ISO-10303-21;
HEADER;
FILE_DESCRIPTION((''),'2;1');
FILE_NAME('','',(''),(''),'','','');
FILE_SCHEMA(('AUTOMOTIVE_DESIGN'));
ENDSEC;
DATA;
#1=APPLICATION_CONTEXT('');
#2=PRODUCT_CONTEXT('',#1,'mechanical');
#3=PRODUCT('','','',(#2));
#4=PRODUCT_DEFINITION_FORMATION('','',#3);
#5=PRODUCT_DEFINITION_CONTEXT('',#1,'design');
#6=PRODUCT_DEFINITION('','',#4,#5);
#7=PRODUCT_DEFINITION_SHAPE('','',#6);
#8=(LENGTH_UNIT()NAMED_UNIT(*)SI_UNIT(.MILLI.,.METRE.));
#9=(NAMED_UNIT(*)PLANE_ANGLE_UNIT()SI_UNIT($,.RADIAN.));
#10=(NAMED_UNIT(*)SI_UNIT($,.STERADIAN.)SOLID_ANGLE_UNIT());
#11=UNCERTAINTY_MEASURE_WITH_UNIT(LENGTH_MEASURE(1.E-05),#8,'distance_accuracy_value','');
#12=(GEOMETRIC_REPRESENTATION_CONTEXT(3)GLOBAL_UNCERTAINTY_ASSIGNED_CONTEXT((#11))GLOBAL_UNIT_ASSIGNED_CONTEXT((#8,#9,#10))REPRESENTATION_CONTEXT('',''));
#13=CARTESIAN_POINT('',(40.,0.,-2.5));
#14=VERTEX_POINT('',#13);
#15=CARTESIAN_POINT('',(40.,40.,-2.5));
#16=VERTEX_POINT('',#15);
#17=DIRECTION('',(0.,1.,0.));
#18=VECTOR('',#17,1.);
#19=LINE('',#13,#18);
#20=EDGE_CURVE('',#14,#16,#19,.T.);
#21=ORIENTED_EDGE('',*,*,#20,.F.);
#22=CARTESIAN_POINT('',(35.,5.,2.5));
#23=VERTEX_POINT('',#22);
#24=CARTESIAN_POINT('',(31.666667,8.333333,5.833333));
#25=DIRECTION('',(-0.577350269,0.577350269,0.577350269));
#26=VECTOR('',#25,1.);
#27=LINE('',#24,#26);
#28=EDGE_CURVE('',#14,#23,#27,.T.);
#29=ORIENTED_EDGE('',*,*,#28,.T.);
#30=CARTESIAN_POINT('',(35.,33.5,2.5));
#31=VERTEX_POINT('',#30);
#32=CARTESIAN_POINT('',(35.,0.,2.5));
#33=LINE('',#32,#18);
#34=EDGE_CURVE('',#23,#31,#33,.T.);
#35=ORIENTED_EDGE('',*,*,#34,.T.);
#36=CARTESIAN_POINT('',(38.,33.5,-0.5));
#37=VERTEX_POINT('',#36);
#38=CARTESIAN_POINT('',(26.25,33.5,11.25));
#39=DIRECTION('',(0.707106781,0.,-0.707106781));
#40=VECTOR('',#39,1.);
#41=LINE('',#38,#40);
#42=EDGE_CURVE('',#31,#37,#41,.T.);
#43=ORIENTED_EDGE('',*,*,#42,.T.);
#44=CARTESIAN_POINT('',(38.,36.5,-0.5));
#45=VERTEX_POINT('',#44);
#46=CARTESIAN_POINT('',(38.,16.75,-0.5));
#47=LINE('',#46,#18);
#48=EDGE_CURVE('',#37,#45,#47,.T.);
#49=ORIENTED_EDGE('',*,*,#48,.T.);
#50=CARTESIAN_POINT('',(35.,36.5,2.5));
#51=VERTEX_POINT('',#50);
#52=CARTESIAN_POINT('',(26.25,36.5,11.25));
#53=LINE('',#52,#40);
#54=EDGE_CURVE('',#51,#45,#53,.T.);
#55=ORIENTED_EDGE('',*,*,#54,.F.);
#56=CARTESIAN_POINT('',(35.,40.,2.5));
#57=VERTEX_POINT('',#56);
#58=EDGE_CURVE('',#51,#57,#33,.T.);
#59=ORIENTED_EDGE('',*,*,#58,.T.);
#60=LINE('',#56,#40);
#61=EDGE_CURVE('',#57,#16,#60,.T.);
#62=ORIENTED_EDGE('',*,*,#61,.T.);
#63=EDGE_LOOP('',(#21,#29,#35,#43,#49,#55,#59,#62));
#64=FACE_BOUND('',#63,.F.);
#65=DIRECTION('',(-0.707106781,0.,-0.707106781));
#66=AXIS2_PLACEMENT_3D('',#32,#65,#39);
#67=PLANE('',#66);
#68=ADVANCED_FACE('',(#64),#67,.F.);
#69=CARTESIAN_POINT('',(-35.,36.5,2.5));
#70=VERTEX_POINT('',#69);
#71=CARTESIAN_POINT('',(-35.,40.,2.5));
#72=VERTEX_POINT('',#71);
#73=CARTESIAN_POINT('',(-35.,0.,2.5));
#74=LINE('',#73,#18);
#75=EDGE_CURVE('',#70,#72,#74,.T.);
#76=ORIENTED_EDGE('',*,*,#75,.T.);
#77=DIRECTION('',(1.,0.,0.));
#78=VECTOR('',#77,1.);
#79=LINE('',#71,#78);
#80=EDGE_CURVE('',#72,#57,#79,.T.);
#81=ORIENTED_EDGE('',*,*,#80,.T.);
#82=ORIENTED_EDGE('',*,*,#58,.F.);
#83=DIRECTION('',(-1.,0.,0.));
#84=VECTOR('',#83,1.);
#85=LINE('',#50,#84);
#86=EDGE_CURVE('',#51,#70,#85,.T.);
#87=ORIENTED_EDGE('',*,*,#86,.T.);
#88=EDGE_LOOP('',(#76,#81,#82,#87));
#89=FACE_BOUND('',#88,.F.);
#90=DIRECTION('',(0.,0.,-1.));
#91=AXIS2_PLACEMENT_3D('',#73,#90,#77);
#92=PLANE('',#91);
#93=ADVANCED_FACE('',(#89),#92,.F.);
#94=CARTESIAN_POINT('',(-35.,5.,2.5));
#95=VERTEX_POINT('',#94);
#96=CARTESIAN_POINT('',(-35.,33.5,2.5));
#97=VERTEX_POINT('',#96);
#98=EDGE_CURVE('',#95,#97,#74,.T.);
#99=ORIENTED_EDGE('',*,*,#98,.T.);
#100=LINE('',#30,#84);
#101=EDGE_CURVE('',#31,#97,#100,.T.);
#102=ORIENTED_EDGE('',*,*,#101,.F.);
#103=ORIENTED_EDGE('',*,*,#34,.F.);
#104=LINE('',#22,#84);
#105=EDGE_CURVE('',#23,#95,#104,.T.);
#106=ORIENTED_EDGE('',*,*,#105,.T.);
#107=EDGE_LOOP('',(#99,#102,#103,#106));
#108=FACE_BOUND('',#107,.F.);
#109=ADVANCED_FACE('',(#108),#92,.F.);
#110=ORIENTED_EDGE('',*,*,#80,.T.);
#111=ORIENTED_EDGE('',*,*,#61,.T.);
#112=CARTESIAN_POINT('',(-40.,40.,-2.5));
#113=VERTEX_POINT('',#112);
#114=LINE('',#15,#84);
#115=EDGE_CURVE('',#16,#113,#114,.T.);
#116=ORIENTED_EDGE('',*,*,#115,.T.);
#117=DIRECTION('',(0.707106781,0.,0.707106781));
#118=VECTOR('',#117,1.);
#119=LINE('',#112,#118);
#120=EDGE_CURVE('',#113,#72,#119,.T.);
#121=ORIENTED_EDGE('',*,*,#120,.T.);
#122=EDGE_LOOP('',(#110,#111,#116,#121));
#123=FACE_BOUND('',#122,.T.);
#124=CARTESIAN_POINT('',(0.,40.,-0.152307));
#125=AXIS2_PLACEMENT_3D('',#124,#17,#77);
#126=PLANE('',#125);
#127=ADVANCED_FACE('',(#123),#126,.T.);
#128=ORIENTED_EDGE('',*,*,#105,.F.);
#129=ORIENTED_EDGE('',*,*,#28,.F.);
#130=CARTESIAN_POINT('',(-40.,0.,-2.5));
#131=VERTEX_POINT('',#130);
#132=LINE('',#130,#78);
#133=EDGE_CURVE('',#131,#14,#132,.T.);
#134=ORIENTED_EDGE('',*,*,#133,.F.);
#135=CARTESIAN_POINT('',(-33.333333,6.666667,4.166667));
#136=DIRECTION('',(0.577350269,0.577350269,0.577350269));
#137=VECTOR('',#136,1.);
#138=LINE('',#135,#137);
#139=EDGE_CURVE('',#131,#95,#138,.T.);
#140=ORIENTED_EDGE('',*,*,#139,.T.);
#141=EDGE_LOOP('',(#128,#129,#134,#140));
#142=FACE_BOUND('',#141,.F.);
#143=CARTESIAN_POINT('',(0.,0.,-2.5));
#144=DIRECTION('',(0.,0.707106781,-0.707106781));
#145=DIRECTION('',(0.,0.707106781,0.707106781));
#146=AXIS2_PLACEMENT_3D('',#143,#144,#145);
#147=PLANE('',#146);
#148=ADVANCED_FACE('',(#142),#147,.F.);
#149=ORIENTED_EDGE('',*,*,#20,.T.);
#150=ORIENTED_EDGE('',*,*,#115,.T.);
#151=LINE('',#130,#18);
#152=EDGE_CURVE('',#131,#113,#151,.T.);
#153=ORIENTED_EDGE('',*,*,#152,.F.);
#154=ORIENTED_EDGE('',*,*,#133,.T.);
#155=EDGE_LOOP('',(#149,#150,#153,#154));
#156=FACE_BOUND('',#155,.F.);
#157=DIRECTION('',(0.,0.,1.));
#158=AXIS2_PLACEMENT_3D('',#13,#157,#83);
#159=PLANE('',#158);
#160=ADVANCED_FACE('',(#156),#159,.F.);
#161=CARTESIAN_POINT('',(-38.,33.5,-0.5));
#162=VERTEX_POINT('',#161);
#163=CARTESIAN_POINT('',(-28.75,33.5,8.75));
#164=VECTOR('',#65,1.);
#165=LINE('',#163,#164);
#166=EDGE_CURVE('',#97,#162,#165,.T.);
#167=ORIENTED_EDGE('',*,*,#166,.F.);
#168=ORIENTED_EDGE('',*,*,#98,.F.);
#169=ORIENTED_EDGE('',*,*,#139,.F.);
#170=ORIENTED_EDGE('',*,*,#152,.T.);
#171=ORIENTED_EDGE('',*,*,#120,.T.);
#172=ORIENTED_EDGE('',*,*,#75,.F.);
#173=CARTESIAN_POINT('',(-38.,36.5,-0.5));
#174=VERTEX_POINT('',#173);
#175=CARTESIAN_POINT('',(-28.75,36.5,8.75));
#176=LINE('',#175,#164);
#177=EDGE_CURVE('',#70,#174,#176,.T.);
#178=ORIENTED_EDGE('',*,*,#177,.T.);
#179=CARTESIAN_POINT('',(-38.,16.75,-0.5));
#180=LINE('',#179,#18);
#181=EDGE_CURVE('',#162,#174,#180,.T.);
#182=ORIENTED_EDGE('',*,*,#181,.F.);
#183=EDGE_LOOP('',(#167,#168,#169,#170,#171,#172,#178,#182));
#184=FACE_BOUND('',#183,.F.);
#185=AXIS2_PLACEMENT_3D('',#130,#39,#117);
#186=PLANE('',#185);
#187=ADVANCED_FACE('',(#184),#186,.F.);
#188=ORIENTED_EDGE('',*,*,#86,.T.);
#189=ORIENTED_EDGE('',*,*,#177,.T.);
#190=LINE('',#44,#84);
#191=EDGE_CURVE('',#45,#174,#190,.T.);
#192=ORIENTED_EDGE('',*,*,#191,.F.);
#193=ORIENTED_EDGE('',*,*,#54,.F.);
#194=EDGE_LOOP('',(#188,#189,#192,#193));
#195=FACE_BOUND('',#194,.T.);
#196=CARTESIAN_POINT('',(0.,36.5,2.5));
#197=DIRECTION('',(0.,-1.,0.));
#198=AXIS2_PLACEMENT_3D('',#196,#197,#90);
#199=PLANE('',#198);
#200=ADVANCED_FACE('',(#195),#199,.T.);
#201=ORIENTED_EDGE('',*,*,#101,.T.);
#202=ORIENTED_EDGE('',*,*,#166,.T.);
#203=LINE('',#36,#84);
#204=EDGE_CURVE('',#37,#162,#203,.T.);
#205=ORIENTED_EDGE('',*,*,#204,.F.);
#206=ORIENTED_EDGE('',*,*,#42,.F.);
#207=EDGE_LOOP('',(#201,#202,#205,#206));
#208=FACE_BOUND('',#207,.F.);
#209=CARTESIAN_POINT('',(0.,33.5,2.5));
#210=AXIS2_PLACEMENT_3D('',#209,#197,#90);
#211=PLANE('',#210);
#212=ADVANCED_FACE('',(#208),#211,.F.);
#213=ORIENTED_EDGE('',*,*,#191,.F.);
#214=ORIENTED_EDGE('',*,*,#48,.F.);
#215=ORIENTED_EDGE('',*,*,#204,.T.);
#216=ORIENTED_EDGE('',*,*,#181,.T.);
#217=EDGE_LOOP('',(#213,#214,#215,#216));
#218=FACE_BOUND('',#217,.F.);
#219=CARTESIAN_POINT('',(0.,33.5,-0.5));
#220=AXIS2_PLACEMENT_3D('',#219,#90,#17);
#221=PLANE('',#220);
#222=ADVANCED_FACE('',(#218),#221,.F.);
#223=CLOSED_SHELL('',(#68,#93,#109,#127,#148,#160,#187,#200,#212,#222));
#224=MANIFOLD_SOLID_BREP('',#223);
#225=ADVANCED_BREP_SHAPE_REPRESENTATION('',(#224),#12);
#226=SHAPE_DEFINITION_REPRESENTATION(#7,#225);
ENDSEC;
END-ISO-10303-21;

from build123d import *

# Parameters (mm, degrees)
BOSS_EXTRUDE2_DEPTH     = 40
CUT_EXTRUDE1_DEPTH      = 41
CUT_EXTRUDE1_DEPTH_BACK = 41
SKETCH7_W               = 3
SKETCH7_H               = 3
CUT_EXTRUDE2_DEPTH      = 41
CUT_EXTRUDE2_DEPTH_BACK = 41


with BuildPart() as part:
    # Sketch3 → Boss-Extrude2 (new body)
    with BuildSketch(Plane(origin=(0, 0, 0), x_dir=(1, 0, 0), z_dir=(0, 1, 0))):
        Polygon((-40, 2.5), (-35, -2.5), (35, -2.5), (40, 2.5), align=None)
    extrude(amount=BOSS_EXTRUDE2_DEPTH)

    # Sketch4 → Cut-Extrude1 (cut, two sides)
    with BuildSketch(Plane(origin=(0, 0, 0), x_dir=(0, 0, -1), z_dir=(1, 0, 0))) as cut_extrude1_sk:
        Polygon((-2.5, 0), (2.5, 0), (-2.5, 5), align=None)
    extrude(amount=CUT_EXTRUDE1_DEPTH, mode=Mode.SUBTRACT)
    extrude(cut_extrude1_sk.sketch, amount=-CUT_EXTRUDE1_DEPTH_BACK, mode=Mode.SUBTRACT)

    # Sketch7 → Cut-Extrude2 (cut, two sides)
    with BuildSketch(Plane(origin=(0, 0, 0), x_dir=(0, 0, -1), z_dir=(1, 0, 0))) as cut_extrude2_sk:
        with Locations((-1, 35)):
            Rectangle(SKETCH7_W, SKETCH7_H)
    extrude(amount=CUT_EXTRUDE2_DEPTH, mode=Mode.SUBTRACT)
    extrude(cut_extrude2_sk.sketch, amount=-CUT_EXTRUDE2_DEPTH_BACK, mode=Mode.SUBTRACT)


solid = part.part
